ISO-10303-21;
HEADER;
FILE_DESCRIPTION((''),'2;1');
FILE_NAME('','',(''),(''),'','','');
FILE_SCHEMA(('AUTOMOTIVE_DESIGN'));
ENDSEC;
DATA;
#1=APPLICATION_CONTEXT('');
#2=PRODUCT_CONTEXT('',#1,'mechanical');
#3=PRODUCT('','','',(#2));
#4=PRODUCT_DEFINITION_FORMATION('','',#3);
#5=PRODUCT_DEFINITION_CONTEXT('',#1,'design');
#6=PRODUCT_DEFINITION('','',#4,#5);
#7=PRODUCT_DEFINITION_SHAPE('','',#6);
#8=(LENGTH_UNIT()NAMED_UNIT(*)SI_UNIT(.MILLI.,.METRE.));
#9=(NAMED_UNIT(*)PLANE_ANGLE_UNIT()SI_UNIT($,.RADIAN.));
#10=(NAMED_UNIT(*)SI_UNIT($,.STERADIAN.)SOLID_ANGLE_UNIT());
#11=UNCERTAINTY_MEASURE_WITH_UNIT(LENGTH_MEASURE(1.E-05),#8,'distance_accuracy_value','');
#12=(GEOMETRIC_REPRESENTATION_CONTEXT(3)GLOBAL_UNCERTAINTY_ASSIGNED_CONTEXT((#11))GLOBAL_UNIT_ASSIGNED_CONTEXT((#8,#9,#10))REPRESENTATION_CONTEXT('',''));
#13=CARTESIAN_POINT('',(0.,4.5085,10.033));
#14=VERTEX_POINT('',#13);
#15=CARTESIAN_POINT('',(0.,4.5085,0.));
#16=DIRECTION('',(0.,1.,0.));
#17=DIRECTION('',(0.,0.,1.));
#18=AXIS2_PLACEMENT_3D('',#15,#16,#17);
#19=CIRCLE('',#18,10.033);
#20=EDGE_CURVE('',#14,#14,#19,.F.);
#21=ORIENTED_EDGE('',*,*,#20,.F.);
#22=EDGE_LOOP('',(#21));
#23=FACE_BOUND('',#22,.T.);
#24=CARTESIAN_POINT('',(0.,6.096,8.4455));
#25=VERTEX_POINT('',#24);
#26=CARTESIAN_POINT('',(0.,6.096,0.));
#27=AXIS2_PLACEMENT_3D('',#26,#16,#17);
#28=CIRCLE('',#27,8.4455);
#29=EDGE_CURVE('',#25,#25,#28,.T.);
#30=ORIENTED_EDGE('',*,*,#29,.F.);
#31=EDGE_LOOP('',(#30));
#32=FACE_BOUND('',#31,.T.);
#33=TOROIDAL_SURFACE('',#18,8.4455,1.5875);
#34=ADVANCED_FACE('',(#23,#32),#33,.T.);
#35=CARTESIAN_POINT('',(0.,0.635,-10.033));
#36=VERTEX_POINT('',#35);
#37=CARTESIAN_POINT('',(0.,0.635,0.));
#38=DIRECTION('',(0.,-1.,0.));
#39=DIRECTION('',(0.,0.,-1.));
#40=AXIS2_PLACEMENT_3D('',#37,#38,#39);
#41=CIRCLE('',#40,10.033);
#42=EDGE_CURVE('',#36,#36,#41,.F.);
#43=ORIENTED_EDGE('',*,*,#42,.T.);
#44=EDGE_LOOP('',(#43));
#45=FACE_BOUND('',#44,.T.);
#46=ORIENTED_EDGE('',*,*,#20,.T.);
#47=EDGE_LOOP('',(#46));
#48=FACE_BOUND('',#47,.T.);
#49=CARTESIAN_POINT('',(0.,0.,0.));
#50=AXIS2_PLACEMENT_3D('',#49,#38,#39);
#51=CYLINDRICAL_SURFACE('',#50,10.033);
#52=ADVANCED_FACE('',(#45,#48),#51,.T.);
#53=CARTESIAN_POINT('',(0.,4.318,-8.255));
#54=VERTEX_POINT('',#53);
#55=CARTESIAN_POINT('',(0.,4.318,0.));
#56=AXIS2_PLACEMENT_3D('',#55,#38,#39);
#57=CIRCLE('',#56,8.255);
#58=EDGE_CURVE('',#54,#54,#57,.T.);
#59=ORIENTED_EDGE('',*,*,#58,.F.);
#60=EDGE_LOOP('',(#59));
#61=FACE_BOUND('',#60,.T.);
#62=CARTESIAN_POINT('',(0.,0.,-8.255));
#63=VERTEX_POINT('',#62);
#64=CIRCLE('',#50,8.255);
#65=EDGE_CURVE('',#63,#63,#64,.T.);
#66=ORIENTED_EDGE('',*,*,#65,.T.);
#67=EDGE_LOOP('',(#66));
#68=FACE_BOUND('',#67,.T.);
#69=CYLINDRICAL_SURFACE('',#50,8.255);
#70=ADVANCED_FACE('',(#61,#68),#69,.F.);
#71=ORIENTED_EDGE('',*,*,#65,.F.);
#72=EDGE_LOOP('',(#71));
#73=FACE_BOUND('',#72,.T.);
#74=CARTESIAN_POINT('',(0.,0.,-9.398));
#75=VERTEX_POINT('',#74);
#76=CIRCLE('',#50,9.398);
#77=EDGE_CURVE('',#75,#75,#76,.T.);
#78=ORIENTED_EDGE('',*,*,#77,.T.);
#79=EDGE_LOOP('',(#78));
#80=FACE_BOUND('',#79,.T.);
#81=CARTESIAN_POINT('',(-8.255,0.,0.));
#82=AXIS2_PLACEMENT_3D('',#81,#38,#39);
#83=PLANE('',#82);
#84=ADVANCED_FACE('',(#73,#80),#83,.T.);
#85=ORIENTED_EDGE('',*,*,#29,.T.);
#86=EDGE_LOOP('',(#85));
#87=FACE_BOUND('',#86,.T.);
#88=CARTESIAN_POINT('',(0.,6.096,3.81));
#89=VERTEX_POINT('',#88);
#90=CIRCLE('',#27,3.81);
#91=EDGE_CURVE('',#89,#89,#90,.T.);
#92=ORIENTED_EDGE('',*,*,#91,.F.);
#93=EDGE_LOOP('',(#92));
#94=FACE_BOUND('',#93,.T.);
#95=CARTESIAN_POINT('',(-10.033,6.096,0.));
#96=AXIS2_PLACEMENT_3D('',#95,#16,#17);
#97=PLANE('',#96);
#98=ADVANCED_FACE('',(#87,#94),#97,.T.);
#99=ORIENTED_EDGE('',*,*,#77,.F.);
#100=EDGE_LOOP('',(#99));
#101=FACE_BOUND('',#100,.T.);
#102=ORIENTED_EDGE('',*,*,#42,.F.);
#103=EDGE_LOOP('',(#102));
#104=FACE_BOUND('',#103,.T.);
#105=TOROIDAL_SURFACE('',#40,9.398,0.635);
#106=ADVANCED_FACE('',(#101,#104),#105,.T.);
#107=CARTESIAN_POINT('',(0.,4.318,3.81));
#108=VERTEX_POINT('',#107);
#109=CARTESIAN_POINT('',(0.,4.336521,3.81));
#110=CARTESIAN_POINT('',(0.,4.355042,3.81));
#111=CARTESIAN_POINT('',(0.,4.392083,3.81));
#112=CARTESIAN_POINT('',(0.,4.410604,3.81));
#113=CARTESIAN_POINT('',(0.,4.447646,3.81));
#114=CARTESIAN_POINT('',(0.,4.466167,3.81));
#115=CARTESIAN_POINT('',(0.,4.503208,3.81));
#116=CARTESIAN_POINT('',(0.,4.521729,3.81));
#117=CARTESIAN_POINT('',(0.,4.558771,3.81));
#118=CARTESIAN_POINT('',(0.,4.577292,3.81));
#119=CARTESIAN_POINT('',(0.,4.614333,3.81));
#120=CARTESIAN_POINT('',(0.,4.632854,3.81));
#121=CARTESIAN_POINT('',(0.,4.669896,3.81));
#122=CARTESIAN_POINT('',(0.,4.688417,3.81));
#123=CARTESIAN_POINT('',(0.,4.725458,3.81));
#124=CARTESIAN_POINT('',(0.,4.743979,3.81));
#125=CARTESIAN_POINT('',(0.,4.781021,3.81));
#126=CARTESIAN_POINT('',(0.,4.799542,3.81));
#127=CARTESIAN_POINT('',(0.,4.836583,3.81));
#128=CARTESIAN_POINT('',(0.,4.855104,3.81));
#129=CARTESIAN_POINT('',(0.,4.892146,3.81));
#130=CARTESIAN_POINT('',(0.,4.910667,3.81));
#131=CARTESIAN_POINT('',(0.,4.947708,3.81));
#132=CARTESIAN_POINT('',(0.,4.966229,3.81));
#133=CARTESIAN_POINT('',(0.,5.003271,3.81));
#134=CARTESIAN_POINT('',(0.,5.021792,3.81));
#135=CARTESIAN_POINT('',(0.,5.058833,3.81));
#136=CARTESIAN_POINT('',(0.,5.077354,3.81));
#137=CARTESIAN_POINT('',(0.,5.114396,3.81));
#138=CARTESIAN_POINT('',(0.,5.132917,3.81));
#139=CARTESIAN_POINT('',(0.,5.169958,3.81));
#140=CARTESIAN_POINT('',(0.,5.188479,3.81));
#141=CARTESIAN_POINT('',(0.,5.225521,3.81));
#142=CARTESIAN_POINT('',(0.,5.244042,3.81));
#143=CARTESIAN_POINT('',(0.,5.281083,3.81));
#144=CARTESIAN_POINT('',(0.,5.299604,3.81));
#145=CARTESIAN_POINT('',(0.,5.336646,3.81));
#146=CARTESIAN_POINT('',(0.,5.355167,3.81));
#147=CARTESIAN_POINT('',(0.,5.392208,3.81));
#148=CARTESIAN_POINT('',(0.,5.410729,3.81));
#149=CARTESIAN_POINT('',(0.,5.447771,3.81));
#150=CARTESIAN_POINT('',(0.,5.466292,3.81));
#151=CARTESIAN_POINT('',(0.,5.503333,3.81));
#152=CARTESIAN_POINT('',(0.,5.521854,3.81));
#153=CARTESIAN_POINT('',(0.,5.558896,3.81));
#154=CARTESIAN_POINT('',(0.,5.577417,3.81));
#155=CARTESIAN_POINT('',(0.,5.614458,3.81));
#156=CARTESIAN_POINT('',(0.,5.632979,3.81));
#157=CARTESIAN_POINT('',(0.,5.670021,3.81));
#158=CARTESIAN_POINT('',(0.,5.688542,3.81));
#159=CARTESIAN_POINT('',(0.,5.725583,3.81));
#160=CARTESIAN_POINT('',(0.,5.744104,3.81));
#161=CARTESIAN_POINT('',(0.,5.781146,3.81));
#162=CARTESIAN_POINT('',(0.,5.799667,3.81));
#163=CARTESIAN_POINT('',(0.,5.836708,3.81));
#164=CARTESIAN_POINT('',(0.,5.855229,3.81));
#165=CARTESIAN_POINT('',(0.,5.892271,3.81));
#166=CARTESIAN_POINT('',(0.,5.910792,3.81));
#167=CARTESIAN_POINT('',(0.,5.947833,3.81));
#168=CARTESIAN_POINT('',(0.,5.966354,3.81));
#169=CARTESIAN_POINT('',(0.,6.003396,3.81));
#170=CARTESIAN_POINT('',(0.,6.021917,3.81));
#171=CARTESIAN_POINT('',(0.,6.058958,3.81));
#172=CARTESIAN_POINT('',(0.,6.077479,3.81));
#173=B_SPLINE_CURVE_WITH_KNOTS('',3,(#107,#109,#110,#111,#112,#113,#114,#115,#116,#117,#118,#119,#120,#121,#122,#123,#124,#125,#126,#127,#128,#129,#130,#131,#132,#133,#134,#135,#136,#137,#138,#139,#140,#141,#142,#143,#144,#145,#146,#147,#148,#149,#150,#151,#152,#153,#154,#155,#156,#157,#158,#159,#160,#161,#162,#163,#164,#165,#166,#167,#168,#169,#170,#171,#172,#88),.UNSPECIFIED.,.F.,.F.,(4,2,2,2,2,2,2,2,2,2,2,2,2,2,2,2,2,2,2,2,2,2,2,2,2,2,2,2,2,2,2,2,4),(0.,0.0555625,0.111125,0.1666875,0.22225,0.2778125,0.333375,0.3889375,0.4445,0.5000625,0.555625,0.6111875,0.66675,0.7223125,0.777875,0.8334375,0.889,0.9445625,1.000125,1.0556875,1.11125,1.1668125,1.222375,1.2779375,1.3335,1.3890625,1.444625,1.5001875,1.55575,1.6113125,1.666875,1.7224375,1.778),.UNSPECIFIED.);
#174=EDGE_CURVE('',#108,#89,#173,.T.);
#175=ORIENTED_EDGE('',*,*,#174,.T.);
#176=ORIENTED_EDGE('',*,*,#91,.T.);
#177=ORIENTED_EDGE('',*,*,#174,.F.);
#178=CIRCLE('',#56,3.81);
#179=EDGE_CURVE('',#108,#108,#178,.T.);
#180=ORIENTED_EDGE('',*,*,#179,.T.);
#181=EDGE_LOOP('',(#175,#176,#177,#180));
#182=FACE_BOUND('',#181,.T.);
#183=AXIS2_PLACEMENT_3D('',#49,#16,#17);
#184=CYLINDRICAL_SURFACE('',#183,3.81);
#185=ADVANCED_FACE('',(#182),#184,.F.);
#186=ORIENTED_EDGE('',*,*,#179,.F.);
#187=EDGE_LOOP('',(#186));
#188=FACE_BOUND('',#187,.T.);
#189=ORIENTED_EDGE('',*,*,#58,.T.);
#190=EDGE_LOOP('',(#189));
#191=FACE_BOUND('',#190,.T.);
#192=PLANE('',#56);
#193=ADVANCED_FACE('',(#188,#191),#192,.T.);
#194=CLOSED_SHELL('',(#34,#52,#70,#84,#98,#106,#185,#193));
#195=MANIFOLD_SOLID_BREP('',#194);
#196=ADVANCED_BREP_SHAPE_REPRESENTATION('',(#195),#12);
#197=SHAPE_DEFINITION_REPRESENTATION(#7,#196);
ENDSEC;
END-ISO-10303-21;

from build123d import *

# Parameters (mm, degrees)
FILLET1_R          = 1.5875
SKETCH2_R          = 3.81
CUT_EXTRUDE1_DEPTH = 16.442907563
FILLET2_R          = 0.635


with BuildPart() as part:
    # Sketch1 → Base-Revolve (revolve)
    with BuildSketch(Plane.XY, mode=Mode.PRIVATE) as base_revolve_sk:
        Polygon((-8.255, 0), (-10.033, 0), (-10.033, 6.096), (0, 6.096), (0, 4.318), (-8.255, 4.318), align=None)
    revolve(base_revolve_sk.sketch.rotate(Axis((0, 0, 0), (0, 1, 0)), 270), axis=Axis((0, 0, 0), (0, 1, 0)))

    # Fillet1
    fillet1_edges = [part.edges().sort_by_distance(p)[0] for p in [
        (0, 6.096, 10.033),
    ]]
    fillet(fillet1_edges, radius=FILLET1_R)

    # Sketch2 → Cut-Extrude1 (cut, through all)
    with BuildSketch(Plane(origin=(0, 6.096, 0), x_dir=(-1, 0, 0), z_dir=(0, 1, 0))):
        with Locations(Location((0, 0, 0), (0, 0, 90))):
            Circle(SKETCH2_R)
    extrude(amount=-CUT_EXTRUDE1_DEPTH, mode=Mode.SUBTRACT)

    # Fillet2
    fillet2_edges = [part.edges().sort_by_distance(p)[0] for p in [
        (0, 0, 10.033),
    ]]
    fillet(fillet2_edges, radius=FILLET2_R)


solid = part.part
